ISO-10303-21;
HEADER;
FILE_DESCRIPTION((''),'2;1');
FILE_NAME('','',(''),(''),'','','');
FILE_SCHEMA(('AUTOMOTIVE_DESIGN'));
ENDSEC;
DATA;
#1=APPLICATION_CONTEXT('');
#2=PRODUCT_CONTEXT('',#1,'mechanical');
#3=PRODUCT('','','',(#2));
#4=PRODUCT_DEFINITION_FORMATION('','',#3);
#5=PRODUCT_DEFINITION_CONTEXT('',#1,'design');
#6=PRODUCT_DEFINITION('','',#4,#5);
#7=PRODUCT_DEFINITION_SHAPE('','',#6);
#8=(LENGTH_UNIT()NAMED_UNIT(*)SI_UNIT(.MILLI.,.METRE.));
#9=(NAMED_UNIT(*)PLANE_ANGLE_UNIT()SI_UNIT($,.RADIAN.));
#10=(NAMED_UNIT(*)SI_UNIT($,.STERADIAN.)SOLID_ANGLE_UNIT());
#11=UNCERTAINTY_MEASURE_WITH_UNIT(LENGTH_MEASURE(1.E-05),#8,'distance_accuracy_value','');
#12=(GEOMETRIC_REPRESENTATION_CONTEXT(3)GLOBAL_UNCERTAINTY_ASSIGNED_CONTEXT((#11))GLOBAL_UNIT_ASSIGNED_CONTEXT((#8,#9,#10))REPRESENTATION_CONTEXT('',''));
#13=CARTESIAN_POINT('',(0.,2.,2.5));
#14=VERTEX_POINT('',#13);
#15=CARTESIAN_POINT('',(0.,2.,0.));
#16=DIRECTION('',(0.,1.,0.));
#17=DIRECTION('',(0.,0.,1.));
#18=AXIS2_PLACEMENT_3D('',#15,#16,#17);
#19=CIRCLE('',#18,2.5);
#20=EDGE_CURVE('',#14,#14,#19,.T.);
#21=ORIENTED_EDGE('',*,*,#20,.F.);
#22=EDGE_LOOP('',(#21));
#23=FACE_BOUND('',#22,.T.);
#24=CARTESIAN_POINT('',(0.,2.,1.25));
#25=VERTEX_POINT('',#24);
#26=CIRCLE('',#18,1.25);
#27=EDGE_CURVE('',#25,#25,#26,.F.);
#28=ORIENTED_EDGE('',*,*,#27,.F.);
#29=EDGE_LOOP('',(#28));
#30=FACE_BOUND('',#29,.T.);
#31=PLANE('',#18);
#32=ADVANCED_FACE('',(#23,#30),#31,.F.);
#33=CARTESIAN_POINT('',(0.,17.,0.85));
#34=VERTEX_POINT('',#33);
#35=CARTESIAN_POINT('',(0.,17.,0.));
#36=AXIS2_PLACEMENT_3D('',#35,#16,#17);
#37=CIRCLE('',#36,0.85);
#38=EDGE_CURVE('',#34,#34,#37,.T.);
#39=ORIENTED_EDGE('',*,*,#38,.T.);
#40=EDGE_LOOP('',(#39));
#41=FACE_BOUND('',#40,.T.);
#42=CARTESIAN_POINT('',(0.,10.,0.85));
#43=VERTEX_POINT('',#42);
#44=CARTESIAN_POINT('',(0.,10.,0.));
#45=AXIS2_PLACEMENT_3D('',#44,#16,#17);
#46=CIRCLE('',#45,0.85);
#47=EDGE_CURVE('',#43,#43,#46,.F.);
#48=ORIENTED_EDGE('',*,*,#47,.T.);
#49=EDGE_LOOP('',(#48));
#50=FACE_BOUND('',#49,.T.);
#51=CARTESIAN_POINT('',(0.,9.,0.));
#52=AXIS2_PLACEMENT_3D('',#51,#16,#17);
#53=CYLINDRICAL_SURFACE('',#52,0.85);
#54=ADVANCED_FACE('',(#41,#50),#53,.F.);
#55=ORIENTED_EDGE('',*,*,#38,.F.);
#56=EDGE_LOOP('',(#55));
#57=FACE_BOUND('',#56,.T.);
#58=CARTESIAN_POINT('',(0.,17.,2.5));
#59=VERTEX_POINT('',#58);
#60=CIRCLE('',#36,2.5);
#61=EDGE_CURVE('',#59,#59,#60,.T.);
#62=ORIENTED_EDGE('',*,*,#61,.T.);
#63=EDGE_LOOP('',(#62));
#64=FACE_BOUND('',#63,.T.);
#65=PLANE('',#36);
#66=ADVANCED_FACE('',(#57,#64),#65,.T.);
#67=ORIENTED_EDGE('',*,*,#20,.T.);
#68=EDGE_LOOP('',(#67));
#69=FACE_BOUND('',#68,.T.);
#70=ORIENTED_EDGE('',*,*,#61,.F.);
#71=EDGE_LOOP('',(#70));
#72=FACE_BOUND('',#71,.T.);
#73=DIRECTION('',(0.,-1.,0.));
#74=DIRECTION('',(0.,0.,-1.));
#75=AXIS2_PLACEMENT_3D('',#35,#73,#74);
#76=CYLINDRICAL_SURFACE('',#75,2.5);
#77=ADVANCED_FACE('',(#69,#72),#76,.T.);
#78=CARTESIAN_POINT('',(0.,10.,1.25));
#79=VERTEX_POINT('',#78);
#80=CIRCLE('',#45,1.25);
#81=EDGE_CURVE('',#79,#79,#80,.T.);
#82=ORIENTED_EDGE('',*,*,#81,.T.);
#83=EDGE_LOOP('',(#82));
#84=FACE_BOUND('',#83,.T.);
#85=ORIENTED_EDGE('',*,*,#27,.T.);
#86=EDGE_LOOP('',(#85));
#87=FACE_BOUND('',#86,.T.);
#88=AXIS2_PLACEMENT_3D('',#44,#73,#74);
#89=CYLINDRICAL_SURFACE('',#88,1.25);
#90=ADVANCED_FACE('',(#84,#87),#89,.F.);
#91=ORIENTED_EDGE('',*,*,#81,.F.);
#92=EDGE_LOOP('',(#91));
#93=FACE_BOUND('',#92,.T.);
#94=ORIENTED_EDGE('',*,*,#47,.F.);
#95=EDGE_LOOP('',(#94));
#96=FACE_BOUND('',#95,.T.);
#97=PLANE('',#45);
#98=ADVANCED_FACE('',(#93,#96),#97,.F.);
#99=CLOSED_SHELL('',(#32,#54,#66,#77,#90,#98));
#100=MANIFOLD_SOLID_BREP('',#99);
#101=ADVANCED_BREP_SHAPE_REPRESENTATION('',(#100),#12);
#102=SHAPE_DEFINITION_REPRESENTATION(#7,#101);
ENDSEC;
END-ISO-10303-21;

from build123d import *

# Parameters (mm, degrees)
SKETCH_1_R          = 1.25
EXTRUDE_1_DEPTH     = 2
SKETCH_2_R          = 2.5
EXTRUDE_2_DEPTH     = 15
SKETCH_3_R          = 0.85
CUT_EXTRUDE_1_DEPTH = 8
SKETCH_1_3_R        = 1.25
CUT_EXTRUDE_2_DEPTH = 10


with BuildPart() as part:
    # 草图1 → 凸台-拉伸1 (new body)
    with BuildSketch(Plane(origin=(0, 0, 0), x_dir=(1, 0, 0), z_dir=(0, 1, 0))):
        Circle(SKETCH_1_R)
    extrude(amount=EXTRUDE_1_DEPTH)

    # 草图2 → 凸台-拉伸2 (add)
    with BuildSketch(Plane(origin=(0, 2, 0), x_dir=(1, 0, 0), z_dir=(0, 1, 0))):
        Circle(SKETCH_2_R)
    extrude(amount=EXTRUDE_2_DEPTH)

    # 草图3 → 切除-拉伸1 (cut)
    with BuildSketch(Plane(origin=(0, 17, 0), x_dir=(1, 0, 0), z_dir=(0, 1, 0))):
        Circle(SKETCH_3_R)
    extrude(amount=-CUT_EXTRUDE_1_DEPTH, mode=Mode.SUBTRACT)

    # 草图1<3> → 切除-拉伸2 (cut)
    with BuildSketch(Plane(origin=(0, 0, 0), x_dir=(1, 0, 0), z_dir=(0, 1, 0))):
        Circle(SKETCH_1_3_R)
    extrude(amount=CUT_EXTRUDE_2_DEPTH, mode=Mode.SUBTRACT)


solid = part.part
